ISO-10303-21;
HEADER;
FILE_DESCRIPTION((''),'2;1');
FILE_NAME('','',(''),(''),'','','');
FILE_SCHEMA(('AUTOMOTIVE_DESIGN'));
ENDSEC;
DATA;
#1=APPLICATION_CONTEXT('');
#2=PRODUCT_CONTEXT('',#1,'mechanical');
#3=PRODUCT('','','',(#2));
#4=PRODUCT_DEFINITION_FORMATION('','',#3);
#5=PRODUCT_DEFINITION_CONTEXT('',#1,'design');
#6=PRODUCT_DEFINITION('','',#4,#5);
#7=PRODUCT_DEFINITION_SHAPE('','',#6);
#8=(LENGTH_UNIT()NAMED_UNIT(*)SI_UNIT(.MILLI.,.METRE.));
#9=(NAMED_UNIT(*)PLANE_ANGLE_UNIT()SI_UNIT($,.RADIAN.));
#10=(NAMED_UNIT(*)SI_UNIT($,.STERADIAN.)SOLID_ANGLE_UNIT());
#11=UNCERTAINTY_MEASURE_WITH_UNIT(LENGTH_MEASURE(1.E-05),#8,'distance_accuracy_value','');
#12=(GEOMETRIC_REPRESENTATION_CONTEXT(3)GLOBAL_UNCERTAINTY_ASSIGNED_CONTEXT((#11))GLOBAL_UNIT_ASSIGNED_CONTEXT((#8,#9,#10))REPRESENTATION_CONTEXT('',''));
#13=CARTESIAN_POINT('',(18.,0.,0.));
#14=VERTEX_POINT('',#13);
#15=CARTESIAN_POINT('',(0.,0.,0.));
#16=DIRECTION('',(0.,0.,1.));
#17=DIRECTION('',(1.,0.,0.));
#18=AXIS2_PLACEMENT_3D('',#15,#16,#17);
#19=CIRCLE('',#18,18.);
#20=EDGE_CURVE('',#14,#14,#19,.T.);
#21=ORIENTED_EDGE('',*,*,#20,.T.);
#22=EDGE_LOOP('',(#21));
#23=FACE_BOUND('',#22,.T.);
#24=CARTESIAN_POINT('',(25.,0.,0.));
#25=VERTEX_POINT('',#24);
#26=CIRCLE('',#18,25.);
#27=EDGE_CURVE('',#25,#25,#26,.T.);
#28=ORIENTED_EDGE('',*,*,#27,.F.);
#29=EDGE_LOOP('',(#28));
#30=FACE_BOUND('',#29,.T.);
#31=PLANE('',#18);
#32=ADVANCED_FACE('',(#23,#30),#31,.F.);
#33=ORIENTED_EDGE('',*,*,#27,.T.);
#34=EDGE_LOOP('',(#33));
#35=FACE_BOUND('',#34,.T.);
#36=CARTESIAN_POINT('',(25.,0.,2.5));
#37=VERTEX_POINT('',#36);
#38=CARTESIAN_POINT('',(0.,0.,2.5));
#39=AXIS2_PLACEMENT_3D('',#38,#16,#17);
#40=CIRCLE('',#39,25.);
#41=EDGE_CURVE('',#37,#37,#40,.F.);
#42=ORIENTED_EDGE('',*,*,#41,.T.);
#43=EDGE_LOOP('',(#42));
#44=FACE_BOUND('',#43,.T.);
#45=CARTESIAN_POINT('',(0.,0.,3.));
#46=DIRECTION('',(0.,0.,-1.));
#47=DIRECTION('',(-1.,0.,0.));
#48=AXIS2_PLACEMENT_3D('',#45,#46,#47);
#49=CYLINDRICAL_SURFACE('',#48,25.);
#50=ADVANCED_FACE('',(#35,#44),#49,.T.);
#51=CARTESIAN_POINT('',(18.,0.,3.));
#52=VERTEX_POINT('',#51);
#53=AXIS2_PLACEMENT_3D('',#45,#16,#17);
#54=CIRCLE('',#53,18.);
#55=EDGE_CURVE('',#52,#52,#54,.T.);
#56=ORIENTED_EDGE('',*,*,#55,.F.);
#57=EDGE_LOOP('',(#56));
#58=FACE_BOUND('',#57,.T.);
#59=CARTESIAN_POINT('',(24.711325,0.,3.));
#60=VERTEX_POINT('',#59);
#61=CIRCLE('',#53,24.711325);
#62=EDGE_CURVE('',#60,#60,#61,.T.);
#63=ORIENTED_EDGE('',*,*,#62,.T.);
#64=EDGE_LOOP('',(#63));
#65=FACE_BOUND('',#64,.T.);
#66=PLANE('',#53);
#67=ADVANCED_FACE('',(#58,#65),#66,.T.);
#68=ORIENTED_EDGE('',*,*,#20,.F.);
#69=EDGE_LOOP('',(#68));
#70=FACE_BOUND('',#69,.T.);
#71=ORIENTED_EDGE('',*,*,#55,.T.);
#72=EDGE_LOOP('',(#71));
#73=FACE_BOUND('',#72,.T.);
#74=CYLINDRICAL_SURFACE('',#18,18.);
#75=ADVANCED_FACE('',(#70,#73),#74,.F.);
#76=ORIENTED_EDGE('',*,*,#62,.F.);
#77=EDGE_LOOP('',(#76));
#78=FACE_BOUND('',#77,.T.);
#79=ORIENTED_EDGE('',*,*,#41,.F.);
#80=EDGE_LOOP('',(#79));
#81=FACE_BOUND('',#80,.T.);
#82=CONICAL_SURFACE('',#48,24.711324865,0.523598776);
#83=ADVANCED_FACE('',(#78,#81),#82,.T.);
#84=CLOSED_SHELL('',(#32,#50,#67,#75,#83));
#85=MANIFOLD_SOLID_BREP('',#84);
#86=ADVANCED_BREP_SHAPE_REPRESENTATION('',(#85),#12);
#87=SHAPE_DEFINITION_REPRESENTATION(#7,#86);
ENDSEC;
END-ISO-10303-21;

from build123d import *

# Parameters (mm, degrees)
SKETCH_1_R          = 25
EXTRUDE_2_DEPTH     = 3
SKETCH_2_R          = 18
CUT_EXTRUDE_1_DEPTH = 36.482389998
CHAMFER_1_SIZE      = 0.5
CHAMFER_1_SIZE2     = 0.288675135


with BuildPart() as part:
    # 草图1 → 拉伸2 (new body)
    with BuildSketch(Plane.XY):
        Circle(SKETCH_1_R)
    extrude(amount=EXTRUDE_2_DEPTH)

    # 草图2 → 切除-拉伸1 (cut, through all)
    with BuildSketch(Plane.XY.offset(3)):
        Circle(SKETCH_2_R)
    extrude(amount=-CUT_EXTRUDE_1_DEPTH, mode=Mode.SUBTRACT)

    # 倒角1
    chamfer_1_edges = [part.edges().sort_by_distance(p)[0] for p in [
        (-25, 0, 3),
    ]]
    chamfer_1_side = [part.faces().sort_by_distance(p)[0] for p in [
        (-25, 0, 1.5),
    ]]
    chamfer(chamfer_1_edges, length=CHAMFER_1_SIZE, length2=CHAMFER_1_SIZE2, reference=chamfer_1_side[0])


solid = part.part
